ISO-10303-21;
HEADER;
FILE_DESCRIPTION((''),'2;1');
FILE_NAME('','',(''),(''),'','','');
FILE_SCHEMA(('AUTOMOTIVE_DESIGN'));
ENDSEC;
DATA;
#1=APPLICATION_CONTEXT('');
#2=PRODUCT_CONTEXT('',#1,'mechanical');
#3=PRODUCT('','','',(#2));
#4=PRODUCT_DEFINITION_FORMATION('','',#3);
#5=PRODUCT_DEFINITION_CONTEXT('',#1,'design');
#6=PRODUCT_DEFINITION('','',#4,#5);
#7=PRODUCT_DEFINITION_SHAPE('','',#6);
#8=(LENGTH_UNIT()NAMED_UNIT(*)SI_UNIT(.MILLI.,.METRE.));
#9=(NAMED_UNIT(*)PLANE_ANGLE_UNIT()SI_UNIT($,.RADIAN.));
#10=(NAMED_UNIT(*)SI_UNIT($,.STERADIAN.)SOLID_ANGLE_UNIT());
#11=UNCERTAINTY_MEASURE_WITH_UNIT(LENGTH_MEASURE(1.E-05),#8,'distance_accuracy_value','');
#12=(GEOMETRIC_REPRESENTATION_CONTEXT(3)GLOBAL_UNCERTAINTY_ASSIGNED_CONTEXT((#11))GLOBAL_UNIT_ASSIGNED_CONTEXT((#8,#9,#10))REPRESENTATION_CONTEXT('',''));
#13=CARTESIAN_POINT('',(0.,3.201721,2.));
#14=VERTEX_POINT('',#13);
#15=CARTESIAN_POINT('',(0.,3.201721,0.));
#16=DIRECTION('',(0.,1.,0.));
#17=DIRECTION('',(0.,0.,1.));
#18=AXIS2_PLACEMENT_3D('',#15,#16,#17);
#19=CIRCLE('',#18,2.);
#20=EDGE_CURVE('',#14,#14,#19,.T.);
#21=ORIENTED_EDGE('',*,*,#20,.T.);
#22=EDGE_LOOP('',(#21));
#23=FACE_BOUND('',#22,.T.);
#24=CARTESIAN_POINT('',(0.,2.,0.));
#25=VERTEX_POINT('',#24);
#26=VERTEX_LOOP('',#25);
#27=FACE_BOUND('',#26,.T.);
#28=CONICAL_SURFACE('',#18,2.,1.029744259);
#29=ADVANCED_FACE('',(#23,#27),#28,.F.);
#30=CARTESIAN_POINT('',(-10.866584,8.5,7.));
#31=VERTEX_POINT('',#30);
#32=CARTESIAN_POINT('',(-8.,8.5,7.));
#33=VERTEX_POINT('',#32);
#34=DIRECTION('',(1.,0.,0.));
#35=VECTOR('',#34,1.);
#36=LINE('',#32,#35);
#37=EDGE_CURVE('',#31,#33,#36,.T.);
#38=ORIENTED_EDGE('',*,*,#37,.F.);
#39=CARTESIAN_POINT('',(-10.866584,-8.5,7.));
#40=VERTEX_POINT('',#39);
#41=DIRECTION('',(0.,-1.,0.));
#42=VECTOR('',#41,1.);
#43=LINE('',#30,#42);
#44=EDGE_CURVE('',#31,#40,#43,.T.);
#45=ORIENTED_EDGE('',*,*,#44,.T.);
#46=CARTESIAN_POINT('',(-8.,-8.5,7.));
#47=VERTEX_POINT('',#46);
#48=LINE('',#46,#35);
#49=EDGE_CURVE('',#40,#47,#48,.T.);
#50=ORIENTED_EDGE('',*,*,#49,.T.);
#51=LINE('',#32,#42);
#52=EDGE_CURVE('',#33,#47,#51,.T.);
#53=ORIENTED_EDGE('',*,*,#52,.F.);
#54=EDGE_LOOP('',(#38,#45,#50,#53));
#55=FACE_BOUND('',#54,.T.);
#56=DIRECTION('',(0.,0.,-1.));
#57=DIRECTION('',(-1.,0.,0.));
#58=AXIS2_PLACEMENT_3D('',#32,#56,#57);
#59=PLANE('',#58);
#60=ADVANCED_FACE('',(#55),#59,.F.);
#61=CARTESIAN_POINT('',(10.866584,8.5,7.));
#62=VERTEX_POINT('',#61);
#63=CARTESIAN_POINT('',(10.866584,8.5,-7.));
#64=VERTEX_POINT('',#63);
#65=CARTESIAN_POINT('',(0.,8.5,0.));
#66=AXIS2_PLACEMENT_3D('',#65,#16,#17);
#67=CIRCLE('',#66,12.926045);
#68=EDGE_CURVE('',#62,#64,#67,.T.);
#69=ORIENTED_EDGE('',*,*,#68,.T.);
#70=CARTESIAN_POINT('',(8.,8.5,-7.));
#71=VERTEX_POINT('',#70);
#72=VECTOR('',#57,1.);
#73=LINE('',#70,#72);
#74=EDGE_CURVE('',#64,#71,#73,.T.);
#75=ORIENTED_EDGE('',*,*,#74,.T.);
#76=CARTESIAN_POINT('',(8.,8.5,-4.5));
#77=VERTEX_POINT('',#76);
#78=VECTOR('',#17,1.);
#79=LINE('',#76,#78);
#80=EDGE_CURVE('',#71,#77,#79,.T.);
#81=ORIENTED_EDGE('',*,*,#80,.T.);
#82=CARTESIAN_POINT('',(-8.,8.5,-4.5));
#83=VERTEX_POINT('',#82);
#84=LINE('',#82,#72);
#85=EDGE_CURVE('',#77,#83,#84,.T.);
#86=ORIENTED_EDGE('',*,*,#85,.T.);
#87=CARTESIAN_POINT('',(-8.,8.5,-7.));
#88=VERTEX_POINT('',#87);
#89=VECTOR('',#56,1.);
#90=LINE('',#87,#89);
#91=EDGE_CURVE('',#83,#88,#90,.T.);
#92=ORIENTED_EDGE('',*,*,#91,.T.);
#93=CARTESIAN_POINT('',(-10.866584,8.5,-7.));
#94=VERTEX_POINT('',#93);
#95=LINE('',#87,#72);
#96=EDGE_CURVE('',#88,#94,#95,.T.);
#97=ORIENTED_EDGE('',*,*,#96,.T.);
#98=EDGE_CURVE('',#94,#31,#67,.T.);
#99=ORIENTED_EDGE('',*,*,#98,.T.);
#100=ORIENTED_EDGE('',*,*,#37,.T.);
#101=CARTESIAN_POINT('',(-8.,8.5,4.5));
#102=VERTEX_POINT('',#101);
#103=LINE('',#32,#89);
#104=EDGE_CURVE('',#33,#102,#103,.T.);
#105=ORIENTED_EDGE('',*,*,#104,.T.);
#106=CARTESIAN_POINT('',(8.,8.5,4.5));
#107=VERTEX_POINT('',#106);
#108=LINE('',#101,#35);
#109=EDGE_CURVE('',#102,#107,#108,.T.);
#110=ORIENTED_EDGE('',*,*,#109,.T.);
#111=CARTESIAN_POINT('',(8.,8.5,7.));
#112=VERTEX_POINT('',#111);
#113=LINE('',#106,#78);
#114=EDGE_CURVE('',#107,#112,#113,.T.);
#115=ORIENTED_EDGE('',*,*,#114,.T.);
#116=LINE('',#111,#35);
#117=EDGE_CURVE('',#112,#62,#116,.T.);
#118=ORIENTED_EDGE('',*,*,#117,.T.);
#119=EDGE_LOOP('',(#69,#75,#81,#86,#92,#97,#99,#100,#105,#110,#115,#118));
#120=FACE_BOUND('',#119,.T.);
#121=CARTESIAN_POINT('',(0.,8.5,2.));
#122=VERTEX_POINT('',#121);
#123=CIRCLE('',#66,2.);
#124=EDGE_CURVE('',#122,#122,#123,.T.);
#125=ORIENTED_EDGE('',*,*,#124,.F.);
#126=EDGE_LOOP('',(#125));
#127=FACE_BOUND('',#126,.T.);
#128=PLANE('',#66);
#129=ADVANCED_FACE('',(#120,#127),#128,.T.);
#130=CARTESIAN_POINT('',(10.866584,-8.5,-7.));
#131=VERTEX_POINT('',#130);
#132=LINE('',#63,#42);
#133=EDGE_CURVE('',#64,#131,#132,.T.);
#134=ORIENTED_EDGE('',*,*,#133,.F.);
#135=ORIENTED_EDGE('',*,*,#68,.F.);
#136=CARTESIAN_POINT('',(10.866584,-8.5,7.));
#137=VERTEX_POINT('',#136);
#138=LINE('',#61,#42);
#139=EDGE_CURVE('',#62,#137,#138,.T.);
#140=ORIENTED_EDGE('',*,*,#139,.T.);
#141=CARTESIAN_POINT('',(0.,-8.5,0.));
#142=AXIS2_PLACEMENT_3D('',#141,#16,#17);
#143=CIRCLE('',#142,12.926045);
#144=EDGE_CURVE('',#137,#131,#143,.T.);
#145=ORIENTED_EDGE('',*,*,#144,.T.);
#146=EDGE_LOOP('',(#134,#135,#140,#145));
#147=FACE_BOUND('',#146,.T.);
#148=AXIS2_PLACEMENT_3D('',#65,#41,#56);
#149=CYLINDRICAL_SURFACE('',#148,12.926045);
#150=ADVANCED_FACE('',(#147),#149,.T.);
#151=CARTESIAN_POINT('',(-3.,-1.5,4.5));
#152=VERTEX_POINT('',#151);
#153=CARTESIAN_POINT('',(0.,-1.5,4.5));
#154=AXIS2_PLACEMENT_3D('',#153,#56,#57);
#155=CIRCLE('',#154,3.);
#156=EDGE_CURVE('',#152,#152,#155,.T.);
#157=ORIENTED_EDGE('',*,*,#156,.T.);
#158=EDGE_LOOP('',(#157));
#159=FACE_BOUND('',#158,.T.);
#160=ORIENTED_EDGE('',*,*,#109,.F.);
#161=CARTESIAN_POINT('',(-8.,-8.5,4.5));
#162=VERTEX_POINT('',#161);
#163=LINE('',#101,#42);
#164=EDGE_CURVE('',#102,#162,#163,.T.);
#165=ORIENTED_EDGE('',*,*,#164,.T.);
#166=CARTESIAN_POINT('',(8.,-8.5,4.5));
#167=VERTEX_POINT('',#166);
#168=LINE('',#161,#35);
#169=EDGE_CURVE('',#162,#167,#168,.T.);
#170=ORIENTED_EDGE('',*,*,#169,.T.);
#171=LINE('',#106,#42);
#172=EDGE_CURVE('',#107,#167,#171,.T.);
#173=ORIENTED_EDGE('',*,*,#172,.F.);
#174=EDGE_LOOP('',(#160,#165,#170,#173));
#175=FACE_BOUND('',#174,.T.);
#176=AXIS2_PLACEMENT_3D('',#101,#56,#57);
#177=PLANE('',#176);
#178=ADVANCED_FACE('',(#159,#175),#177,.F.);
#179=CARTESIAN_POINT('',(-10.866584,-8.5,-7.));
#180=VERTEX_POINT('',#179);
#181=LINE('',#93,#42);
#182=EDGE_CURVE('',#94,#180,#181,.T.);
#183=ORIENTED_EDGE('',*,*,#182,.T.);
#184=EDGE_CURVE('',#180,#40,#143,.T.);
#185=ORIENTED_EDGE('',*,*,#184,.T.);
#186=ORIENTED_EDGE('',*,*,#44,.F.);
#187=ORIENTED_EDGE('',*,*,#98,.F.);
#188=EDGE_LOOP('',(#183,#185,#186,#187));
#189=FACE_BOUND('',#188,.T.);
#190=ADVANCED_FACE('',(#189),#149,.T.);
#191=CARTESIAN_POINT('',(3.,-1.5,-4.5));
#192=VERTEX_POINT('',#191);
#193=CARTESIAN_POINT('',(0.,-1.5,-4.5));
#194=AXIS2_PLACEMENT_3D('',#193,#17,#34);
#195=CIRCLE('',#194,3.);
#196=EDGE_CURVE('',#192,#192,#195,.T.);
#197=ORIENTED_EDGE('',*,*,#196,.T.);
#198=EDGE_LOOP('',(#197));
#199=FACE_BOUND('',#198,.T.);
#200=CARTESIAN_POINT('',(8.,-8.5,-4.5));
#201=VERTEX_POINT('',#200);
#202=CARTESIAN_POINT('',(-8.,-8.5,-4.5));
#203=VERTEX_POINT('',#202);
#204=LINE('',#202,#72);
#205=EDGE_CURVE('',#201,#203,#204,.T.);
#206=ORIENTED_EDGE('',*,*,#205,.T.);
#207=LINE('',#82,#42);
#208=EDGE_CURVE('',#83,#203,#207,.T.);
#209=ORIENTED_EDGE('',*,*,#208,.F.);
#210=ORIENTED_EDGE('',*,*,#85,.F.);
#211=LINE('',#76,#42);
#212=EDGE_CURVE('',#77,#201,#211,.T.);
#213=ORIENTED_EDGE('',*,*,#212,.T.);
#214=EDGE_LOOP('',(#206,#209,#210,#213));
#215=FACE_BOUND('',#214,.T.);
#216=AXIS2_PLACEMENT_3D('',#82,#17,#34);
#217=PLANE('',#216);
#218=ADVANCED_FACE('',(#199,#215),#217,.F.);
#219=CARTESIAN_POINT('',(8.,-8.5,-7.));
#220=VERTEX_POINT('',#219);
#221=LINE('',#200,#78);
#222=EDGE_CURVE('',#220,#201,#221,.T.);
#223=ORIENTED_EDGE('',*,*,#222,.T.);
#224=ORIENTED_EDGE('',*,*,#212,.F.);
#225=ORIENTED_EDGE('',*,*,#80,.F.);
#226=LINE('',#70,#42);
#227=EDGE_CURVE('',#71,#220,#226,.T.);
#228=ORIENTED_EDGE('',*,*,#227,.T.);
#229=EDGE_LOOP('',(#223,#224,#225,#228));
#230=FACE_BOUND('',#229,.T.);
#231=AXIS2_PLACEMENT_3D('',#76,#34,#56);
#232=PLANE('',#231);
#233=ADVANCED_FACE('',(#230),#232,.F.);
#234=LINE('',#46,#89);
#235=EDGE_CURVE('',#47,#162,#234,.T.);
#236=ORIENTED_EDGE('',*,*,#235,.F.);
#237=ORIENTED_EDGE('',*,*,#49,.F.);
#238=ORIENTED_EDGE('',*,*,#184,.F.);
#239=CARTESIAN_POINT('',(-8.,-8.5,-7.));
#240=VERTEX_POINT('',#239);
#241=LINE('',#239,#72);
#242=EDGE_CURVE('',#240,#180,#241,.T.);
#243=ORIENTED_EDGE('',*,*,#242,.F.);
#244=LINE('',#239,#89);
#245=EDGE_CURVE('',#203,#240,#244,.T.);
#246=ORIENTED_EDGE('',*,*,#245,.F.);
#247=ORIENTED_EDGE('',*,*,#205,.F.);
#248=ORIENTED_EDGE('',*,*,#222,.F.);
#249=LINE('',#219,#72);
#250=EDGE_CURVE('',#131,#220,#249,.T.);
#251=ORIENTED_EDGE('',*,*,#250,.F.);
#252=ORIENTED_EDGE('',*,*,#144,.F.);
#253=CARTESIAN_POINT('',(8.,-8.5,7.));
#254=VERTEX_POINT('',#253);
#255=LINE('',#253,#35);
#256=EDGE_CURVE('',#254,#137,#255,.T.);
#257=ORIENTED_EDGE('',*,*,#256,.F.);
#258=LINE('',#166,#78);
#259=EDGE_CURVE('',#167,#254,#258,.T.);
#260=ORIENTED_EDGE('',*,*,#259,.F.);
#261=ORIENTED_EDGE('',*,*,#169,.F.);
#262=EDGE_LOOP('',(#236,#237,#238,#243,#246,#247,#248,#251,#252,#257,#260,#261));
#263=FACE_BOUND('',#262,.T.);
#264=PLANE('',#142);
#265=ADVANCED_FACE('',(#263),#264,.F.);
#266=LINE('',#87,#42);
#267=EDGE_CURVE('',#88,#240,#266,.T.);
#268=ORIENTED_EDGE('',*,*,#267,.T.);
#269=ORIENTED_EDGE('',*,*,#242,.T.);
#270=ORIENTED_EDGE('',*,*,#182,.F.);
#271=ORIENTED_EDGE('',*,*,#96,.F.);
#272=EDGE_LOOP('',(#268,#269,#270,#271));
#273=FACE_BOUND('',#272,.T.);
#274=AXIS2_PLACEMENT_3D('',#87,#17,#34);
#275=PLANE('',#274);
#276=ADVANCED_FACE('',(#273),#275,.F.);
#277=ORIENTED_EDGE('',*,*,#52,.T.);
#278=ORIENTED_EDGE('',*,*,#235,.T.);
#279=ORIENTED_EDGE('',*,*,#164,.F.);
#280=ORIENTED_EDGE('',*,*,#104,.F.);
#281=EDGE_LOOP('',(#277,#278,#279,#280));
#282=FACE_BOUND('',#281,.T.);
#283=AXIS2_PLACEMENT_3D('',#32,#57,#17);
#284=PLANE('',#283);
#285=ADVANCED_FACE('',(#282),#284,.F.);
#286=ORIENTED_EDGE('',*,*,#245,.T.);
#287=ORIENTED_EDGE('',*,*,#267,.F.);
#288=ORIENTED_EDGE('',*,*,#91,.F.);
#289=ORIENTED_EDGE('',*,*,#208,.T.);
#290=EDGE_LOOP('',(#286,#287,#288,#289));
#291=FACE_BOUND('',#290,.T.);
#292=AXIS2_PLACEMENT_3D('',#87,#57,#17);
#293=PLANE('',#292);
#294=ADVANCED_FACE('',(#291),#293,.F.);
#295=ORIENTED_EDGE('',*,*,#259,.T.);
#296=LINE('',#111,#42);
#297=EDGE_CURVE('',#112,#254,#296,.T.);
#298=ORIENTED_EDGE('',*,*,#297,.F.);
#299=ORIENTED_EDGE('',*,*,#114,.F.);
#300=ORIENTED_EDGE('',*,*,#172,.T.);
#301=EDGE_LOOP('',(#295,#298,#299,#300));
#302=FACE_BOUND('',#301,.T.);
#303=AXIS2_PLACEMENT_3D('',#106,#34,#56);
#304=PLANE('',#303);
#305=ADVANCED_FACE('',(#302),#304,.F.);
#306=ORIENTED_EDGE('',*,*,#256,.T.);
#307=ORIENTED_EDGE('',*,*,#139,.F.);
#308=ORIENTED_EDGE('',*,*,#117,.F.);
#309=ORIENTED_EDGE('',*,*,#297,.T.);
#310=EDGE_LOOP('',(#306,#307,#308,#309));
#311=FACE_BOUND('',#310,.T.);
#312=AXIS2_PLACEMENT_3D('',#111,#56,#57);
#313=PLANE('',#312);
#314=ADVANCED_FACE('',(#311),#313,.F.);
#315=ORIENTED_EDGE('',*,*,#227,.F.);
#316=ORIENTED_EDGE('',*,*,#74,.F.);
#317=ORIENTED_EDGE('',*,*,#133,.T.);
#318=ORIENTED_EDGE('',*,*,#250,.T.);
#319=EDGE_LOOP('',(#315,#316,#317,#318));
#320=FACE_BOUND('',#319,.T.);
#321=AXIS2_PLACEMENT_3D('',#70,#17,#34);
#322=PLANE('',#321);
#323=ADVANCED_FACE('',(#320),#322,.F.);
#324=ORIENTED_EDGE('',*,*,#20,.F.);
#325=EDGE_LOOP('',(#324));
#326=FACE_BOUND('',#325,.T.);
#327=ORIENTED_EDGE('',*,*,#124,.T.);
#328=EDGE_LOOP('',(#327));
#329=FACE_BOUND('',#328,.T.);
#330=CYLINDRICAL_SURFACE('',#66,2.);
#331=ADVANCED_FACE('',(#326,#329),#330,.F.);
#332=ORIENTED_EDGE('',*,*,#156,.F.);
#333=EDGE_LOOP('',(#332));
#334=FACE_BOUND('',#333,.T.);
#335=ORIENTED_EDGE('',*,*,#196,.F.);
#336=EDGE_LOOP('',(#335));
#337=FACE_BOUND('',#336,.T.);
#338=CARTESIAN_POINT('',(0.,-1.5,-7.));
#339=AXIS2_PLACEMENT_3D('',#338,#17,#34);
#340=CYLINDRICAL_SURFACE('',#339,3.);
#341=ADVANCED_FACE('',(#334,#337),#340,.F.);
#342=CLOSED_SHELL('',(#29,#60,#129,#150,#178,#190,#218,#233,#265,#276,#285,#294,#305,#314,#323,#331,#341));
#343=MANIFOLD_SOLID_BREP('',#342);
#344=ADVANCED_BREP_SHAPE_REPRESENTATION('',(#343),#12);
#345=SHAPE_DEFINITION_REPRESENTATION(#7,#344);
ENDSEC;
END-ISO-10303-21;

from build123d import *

# Parameters (mm, degrees)
BOSS_EXTRUDE1_DEPTH             = 8.5
TAP_DRILL_FOR_M4X0_7_TAP1_D     = 4
TAP_DRILL_FOR_M4X0_7_TAP1_DEPTH = 5.298278762
TAP_DRILL_FOR_M4X0_7_TAP1_TIP   = 1.201721238
CUT_EXTRUDE1_DEPTH              = 17.980360556
CUT_EXTRUDE1_DEPTH_BACK         = 17.980360556
SKETCH5_R                       = 3


with BuildPart() as part:
    # Sketch1 → Boss-Extrude1 (new, symmetric)
    with BuildSketch(Plane(origin=(0, 0, 0), x_dir=(1, 0, 0), z_dir=(0, 1, 0))):
        with BuildLine():
            Line((-8, 7), (-8, 4.5))
            Line((-8, 4.5), (8, 4.5))
            Line((8, 4.5), (8, 7))
            Line((8, 7), (10.866583853, 7))
            ThreePointArc((10.866583853, 7), (12.926045204, 0), (10.866583853, -7))
            Line((10.866583853, -7), (8, -7))
            Line((8, -7), (8, -4.5))
            Line((8, -4.5), (-8, -4.5))
            Line((-8, -4.5), (-8, -7))
            Line((-8, -7), (-10.866583853, -7))
            ThreePointArc((-10.866583853, -7), (-12.926045204, 0), (-10.866583853, 7))
            Line((-10.866583853, 7), (-8, 7))
        make_face()
    extrude(amount=BOSS_EXTRUDE1_DEPTH, both=True)

    # Tap Drill for M4x0.7 Tap1
    with Locations(Plane(origin=(0, 8.5, 0), x_dir=(1, 0, 0), z_dir=(0, 1, 0))):
        with Locations((0, 0)):
            Hole(TAP_DRILL_FOR_M4X0_7_TAP1_D / 2, depth=TAP_DRILL_FOR_M4X0_7_TAP1_DEPTH)
            with Locations((0, 0, -(TAP_DRILL_FOR_M4X0_7_TAP1_DEPTH + TAP_DRILL_FOR_M4X0_7_TAP1_TIP / 2))):  # 118° drill point
                Cone(0, TAP_DRILL_FOR_M4X0_7_TAP1_D / 2, TAP_DRILL_FOR_M4X0_7_TAP1_TIP, mode=Mode.SUBTRACT)

    # Sketch5 → Cut-Extrude1 (cut, two sides: drawn at the far end of the back side and taken through both)
    with BuildSketch(Plane.XY.offset(-CUT_EXTRUDE1_DEPTH_BACK)):
        with Locations((0, -1.5)):
            Circle(SKETCH5_R)
    extrude(amount=CUT_EXTRUDE1_DEPTH + CUT_EXTRUDE1_DEPTH_BACK, mode=Mode.SUBTRACT)


solid = part.part
